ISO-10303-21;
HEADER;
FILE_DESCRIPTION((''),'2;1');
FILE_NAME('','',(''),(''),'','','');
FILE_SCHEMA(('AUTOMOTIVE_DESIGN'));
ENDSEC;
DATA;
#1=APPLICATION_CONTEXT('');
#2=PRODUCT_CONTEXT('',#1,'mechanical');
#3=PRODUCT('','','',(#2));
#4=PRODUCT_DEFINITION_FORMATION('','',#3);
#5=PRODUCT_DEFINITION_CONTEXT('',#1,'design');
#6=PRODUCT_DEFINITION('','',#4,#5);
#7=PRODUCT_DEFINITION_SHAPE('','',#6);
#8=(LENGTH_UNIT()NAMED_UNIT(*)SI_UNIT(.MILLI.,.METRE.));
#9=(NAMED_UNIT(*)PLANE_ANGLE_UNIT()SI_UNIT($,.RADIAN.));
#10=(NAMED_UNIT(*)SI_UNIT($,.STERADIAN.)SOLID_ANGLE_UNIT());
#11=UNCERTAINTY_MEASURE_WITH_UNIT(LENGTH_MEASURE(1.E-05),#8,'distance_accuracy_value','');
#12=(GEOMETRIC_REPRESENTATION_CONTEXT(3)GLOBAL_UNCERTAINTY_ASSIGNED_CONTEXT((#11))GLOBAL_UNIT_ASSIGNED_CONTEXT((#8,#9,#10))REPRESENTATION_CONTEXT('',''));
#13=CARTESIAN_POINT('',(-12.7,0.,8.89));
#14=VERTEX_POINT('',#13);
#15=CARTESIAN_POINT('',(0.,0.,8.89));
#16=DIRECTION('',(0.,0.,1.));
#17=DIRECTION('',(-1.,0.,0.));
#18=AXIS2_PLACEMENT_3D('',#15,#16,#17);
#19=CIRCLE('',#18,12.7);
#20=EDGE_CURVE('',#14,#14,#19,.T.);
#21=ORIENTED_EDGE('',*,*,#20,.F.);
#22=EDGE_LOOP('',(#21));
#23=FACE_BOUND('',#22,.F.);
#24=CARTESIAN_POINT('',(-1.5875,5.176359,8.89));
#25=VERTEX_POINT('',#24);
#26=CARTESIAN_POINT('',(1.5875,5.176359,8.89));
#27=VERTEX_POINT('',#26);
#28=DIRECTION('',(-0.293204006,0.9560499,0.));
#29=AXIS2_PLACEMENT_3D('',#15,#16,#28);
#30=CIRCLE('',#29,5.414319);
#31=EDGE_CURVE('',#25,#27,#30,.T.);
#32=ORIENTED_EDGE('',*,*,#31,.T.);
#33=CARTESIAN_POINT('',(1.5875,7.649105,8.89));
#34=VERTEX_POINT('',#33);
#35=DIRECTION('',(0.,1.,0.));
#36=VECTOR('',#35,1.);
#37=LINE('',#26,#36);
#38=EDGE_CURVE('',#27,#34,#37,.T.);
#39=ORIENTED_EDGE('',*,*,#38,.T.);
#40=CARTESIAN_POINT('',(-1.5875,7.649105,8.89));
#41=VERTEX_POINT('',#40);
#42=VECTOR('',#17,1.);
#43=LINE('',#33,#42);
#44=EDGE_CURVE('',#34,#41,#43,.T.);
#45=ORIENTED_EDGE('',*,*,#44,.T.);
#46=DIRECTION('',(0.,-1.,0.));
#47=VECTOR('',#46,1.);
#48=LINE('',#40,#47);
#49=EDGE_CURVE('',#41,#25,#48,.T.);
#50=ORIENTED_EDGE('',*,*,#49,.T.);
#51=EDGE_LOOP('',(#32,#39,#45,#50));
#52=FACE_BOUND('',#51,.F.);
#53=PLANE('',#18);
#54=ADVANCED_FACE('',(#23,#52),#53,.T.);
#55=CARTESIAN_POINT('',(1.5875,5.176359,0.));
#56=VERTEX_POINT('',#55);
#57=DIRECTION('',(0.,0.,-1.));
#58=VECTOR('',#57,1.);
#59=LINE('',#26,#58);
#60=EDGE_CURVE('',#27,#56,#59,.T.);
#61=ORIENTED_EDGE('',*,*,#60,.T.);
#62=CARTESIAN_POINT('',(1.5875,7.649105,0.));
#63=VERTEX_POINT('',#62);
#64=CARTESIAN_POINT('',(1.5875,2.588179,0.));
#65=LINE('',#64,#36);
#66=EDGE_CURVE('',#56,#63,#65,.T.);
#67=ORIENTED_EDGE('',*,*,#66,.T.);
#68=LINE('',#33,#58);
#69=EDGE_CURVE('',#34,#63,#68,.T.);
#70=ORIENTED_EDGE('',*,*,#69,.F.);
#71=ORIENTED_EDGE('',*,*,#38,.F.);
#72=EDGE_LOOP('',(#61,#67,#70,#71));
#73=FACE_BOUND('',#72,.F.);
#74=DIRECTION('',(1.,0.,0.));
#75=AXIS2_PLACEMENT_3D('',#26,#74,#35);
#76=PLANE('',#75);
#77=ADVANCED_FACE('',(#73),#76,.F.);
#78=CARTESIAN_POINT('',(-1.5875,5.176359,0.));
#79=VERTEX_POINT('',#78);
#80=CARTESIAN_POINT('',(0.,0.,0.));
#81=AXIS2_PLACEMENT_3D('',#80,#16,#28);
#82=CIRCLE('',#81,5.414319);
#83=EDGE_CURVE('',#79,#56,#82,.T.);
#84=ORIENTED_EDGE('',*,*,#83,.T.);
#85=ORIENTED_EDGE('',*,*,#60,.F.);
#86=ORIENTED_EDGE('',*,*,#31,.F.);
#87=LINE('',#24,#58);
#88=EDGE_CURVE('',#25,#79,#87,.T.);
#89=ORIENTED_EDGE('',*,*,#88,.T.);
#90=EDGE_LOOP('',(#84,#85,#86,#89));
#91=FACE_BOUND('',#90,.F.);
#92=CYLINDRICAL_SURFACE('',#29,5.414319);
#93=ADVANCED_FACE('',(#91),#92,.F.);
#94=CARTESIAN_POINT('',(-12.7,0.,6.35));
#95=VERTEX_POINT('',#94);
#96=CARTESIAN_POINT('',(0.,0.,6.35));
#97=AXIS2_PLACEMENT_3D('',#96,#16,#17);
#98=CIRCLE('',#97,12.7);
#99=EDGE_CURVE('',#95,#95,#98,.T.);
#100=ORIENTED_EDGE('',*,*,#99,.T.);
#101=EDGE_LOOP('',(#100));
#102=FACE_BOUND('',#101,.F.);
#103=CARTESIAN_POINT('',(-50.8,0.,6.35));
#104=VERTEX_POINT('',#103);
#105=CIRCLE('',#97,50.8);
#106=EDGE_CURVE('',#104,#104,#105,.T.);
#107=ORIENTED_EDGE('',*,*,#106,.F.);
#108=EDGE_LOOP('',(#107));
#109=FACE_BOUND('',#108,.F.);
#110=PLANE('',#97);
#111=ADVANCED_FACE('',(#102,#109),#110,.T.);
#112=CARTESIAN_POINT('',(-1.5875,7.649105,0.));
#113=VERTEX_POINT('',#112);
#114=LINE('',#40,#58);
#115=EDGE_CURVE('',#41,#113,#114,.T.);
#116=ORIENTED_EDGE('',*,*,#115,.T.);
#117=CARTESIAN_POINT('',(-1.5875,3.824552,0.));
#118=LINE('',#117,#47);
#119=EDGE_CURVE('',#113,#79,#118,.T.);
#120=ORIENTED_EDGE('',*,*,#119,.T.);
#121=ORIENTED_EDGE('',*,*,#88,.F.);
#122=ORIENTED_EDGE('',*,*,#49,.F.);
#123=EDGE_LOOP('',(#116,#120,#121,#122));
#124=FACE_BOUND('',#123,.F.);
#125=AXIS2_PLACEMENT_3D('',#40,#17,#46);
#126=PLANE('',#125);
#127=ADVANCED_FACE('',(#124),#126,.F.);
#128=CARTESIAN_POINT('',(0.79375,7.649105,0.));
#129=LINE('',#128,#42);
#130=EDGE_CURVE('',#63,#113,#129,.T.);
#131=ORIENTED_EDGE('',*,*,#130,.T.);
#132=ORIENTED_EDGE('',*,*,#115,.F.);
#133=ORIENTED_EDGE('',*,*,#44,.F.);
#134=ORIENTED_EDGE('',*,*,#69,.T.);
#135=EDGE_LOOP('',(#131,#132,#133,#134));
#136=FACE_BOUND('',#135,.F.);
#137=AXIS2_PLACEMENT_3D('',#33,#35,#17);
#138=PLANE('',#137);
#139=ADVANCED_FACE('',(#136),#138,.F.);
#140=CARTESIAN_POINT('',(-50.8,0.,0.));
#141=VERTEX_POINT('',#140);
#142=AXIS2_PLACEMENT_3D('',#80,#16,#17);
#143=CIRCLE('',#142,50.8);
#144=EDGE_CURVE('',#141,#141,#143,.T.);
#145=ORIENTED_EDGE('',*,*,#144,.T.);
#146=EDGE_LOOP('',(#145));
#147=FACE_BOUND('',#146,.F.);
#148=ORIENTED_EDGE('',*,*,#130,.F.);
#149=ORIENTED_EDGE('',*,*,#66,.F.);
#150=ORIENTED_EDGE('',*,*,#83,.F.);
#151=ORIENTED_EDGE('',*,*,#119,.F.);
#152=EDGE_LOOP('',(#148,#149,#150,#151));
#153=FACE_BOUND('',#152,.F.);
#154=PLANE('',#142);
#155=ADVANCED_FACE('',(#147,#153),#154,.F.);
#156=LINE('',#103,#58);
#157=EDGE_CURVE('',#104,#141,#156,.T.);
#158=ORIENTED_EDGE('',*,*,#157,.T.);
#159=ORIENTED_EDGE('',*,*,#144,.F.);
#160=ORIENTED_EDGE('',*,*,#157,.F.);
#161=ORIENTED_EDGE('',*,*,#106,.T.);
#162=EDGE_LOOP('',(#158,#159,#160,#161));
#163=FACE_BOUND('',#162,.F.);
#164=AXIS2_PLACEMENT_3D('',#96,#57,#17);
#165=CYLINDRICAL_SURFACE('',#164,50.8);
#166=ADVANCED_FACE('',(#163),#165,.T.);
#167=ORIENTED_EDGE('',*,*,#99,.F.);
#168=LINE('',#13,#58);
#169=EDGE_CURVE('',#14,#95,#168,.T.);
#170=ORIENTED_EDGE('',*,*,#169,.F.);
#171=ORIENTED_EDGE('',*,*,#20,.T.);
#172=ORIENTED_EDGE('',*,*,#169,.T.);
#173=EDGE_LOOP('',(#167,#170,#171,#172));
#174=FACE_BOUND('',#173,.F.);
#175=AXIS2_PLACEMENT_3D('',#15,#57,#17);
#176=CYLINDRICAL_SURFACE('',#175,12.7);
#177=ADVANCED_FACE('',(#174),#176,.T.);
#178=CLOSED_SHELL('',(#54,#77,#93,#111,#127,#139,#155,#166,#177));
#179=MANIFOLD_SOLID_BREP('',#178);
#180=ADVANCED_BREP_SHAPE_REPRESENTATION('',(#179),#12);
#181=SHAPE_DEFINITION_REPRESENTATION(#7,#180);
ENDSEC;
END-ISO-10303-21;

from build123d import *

# Parameters (mm, degrees)
F3_DEPTH = 25.4


with BuildPart() as f1:
    # F0 (on Front) → F1 (revolve)
    with BuildSketch(Plane.XZ):
        Polygon((0, 0), (0, 8.89), (-12.7, 8.89), (-12.7, 6.35), (-50.8, 6.35), (-50.8, 0), align=None)
    revolve(axis=Axis((0, 0, 4.445), (0, 0, 1)))

    # F2 (on face) → F3 (cut)
    with BuildSketch(Plane.XY.offset(8.89)):
        with BuildLine():
            Line((-1.5875, 7.649105), (-1.5875, 5.176359))
            ThreePointArc((-1.5875, 5.176359), (0, -5.414319), (1.5875, 5.176359))
            Line((1.5875, 5.176359), (1.5875, 7.649105))
            Line((1.5875, 7.649105), (-1.5875, 7.649105))
        make_face()
    extrude(amount=-F3_DEPTH, mode=Mode.SUBTRACT)


solid = f1.part
